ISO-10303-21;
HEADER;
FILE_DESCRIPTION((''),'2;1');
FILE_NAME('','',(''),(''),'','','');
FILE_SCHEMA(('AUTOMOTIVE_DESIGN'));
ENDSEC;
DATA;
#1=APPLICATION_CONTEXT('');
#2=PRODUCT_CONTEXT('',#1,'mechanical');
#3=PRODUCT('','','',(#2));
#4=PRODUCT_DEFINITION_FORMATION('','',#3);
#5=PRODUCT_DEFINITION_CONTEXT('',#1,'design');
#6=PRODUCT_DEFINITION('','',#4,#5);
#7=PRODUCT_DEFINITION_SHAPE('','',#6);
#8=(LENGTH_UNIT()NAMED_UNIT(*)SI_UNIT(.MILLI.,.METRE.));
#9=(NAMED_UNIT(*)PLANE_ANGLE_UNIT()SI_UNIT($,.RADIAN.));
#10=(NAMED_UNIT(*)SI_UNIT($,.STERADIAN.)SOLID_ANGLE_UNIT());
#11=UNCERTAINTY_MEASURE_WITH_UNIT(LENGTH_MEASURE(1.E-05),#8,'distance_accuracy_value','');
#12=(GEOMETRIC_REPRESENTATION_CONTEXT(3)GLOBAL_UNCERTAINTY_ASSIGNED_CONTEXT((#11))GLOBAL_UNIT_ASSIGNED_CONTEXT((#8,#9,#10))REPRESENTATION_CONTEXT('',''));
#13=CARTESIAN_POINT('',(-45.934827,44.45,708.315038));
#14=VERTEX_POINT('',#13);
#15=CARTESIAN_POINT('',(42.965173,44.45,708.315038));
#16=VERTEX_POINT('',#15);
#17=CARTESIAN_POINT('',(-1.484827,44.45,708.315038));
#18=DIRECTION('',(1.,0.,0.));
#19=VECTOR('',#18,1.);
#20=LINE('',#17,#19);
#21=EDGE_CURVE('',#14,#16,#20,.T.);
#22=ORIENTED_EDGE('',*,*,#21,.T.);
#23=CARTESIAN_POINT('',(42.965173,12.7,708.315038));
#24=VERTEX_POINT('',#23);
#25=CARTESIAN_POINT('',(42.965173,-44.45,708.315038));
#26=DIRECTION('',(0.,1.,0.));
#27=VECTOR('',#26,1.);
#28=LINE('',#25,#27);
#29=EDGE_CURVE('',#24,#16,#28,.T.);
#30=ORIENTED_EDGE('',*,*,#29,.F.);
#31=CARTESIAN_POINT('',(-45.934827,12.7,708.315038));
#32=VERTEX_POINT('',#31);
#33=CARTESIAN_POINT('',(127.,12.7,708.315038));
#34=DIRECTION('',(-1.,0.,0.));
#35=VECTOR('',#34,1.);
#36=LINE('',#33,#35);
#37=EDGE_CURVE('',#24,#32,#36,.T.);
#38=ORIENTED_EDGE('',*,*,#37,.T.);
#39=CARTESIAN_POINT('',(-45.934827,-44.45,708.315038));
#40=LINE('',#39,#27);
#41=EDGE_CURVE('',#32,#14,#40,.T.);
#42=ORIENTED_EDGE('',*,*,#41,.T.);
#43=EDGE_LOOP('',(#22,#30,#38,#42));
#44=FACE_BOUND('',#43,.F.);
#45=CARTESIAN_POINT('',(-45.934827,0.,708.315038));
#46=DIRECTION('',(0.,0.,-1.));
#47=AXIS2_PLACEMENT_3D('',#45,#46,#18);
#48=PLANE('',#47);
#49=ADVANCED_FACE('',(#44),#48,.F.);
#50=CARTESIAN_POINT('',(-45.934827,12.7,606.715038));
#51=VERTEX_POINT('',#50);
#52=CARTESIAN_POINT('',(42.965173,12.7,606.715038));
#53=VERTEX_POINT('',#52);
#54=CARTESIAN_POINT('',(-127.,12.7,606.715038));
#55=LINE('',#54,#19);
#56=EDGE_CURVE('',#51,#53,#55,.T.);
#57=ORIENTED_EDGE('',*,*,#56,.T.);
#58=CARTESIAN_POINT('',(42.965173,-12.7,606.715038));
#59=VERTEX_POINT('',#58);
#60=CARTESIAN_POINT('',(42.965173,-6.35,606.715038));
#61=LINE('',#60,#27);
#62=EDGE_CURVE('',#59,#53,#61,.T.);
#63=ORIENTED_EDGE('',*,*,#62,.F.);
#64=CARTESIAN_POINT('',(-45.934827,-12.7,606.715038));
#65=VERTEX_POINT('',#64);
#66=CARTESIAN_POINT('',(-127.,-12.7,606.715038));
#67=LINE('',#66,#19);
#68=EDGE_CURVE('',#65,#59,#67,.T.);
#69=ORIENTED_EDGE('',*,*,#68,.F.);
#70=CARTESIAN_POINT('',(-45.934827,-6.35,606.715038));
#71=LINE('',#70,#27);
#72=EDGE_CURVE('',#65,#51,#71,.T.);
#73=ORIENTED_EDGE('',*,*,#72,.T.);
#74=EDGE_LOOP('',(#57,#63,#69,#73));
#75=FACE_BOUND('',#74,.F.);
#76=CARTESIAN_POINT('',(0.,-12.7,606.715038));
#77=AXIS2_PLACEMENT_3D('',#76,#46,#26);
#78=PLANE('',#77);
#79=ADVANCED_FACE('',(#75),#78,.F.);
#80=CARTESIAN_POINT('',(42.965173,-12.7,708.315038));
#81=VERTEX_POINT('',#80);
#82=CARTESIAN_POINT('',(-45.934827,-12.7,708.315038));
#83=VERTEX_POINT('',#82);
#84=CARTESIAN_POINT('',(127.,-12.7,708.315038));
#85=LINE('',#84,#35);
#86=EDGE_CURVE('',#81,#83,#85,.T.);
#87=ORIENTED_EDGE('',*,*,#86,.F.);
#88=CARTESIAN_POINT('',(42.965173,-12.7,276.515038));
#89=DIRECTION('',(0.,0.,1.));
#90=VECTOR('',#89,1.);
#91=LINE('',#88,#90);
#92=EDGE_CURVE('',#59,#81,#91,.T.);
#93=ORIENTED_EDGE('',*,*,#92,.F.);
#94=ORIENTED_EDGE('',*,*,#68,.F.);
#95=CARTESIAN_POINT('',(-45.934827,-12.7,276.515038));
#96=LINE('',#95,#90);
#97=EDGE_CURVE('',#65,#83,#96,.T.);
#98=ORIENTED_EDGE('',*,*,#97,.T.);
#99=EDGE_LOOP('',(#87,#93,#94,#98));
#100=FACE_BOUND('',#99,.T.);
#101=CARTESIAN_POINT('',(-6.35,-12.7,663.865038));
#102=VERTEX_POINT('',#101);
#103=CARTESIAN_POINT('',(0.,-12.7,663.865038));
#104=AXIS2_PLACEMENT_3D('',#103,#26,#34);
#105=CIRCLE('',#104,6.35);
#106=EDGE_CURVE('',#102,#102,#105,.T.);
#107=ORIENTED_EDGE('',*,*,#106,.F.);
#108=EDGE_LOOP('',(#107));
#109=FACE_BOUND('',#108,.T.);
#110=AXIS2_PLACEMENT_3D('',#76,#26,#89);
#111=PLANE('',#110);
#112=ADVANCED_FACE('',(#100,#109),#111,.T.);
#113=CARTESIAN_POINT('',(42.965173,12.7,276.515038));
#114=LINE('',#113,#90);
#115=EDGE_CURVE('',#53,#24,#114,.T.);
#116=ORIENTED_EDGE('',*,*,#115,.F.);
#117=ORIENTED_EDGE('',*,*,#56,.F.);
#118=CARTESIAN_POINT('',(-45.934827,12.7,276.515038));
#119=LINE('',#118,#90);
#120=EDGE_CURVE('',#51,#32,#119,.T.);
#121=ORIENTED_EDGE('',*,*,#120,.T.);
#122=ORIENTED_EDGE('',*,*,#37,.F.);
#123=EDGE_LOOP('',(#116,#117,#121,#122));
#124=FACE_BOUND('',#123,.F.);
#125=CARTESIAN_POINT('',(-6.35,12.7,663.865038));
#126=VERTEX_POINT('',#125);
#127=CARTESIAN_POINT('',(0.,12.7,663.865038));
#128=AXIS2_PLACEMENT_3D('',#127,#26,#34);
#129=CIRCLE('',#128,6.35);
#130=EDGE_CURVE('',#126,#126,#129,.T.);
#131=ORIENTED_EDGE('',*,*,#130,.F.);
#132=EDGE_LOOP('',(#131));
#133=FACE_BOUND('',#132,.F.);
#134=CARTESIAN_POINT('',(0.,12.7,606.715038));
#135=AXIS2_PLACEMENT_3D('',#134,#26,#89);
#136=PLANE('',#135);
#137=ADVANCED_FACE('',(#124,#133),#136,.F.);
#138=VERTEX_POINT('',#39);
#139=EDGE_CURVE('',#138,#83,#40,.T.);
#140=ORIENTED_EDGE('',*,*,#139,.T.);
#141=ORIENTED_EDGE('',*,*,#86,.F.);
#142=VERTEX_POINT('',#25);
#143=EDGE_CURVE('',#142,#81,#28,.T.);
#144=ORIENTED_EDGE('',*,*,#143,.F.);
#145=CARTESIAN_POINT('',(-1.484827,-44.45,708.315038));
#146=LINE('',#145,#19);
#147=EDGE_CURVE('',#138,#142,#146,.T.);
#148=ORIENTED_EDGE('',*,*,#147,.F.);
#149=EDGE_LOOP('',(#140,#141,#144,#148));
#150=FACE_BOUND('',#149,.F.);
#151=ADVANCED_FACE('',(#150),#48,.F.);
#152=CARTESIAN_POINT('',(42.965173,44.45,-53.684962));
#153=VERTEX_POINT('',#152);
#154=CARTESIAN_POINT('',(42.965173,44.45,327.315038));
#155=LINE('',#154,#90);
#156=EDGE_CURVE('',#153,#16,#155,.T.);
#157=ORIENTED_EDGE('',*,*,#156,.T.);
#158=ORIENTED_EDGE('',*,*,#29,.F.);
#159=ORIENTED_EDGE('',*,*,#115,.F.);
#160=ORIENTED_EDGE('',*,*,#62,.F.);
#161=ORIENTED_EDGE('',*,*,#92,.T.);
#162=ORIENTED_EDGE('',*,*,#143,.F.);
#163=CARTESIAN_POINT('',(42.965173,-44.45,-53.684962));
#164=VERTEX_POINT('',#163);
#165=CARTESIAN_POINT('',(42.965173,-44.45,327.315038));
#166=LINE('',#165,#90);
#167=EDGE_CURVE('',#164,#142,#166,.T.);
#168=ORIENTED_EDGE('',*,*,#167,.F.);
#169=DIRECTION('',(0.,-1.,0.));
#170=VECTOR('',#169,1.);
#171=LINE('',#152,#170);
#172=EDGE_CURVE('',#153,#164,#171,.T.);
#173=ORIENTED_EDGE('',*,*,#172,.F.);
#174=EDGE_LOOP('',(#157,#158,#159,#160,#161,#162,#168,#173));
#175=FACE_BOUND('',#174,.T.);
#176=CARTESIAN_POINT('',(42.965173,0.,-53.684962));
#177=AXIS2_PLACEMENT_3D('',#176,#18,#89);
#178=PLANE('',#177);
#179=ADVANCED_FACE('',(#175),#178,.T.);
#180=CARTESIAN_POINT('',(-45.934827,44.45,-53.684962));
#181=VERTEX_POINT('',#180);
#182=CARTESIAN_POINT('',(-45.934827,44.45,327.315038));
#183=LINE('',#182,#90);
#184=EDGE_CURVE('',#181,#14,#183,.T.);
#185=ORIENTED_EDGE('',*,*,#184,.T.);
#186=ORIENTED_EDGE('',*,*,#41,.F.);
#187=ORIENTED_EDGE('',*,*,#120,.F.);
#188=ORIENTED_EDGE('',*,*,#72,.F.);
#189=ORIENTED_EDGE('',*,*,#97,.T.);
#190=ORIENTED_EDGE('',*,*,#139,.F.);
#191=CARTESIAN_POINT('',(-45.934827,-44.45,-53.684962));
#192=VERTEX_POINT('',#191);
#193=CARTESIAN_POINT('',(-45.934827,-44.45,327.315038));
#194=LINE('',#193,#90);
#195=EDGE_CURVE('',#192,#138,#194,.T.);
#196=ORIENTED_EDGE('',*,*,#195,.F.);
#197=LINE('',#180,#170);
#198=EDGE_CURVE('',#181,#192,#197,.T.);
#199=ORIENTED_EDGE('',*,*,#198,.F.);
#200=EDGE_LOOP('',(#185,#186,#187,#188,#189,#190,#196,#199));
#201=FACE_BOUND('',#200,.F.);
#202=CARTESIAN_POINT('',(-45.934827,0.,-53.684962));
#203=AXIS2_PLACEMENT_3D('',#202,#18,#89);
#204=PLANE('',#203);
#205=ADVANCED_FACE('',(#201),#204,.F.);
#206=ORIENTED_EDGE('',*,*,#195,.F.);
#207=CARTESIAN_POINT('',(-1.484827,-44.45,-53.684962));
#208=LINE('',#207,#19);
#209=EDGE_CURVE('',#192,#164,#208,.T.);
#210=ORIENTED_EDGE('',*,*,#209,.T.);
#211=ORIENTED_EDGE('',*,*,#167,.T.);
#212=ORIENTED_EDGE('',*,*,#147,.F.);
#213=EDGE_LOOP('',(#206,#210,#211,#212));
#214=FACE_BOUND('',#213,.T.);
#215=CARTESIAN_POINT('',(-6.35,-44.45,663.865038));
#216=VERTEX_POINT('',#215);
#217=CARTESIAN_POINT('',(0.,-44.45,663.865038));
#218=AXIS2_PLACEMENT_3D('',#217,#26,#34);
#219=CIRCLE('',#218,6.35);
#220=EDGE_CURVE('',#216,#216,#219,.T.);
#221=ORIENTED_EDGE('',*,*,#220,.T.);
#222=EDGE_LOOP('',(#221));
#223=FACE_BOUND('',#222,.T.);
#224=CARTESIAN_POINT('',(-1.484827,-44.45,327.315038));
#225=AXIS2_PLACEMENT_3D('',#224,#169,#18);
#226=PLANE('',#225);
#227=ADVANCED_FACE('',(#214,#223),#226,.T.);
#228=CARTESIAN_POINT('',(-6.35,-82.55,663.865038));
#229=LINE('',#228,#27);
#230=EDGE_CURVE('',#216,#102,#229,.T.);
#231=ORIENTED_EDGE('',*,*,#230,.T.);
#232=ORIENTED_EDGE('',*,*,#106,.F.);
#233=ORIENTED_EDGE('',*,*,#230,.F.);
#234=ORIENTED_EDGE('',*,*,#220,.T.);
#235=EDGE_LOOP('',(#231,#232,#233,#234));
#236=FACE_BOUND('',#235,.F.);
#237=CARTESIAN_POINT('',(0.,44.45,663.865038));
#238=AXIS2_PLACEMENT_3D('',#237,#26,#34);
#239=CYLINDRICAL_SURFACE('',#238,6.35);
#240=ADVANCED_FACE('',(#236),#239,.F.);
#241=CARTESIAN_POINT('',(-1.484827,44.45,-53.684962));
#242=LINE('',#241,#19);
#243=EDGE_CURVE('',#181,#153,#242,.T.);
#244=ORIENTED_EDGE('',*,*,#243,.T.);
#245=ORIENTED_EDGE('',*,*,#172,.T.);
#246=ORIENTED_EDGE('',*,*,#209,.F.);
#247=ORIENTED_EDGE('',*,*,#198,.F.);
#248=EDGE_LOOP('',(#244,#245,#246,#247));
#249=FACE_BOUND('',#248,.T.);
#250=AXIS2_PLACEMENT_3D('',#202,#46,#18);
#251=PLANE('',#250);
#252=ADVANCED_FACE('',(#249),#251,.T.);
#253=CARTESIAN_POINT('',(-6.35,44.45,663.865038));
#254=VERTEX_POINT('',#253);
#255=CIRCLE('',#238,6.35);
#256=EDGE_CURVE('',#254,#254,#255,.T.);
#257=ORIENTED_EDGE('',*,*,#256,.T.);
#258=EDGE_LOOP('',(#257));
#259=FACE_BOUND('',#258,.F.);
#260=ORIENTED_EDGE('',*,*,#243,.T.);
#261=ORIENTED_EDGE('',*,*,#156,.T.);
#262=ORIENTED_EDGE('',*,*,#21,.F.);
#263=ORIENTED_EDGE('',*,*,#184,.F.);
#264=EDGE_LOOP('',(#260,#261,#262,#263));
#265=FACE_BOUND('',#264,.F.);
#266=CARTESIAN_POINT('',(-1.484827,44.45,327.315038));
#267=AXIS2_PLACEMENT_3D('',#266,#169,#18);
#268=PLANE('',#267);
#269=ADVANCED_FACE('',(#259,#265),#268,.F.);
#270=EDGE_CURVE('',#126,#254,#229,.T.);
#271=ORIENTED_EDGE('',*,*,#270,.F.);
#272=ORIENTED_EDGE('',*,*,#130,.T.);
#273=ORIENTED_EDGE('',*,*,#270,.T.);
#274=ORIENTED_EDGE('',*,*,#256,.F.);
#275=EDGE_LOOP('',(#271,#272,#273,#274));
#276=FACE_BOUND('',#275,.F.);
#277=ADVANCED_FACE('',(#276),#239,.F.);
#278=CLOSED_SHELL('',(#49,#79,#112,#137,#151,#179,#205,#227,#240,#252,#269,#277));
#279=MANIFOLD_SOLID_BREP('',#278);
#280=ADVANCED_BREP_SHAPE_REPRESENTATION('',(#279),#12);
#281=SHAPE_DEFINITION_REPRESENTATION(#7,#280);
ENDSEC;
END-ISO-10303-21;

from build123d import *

# Parameters (mm, degrees)
F0_W     = 88.9
F0_H     = 762
F1_DEPTH = 44.45
F2_W     = 25.4
F2_H     = 101.6
F3_DEPTH = 127
F4_R     = 6.35
F5_DEPTH = 127


with BuildPart() as f1:
    # F0 (on Front) → F1 (new body, symmetric)
    with BuildSketch(Plane.XZ):
        with Locations((-1.4848271385, 327.3150383137)):
            Rectangle(F0_W, F0_H)
    extrude(amount=F1_DEPTH, both=True)

    # F2 (on Right) → F3 (cut, symmetric)
    with BuildSketch(Plane.YZ):
        with Locations((0, 657.5150383137)):
            Rectangle(F2_W, F2_H)
    extrude(amount=F3_DEPTH, both=True, mode=Mode.SUBTRACT)

    # F4 (on face) → F5 (cut, symmetric)
    with BuildSketch(Plane(origin=(0, 44.45, 0), x_dir=(-1, 0, 0), z_dir=(0, 1, 0))):
        with Locations((0, 663.8650383137)):
            Circle(F4_R)
    extrude(amount=F5_DEPTH, both=True, mode=Mode.SUBTRACT)


solid = f1.part
